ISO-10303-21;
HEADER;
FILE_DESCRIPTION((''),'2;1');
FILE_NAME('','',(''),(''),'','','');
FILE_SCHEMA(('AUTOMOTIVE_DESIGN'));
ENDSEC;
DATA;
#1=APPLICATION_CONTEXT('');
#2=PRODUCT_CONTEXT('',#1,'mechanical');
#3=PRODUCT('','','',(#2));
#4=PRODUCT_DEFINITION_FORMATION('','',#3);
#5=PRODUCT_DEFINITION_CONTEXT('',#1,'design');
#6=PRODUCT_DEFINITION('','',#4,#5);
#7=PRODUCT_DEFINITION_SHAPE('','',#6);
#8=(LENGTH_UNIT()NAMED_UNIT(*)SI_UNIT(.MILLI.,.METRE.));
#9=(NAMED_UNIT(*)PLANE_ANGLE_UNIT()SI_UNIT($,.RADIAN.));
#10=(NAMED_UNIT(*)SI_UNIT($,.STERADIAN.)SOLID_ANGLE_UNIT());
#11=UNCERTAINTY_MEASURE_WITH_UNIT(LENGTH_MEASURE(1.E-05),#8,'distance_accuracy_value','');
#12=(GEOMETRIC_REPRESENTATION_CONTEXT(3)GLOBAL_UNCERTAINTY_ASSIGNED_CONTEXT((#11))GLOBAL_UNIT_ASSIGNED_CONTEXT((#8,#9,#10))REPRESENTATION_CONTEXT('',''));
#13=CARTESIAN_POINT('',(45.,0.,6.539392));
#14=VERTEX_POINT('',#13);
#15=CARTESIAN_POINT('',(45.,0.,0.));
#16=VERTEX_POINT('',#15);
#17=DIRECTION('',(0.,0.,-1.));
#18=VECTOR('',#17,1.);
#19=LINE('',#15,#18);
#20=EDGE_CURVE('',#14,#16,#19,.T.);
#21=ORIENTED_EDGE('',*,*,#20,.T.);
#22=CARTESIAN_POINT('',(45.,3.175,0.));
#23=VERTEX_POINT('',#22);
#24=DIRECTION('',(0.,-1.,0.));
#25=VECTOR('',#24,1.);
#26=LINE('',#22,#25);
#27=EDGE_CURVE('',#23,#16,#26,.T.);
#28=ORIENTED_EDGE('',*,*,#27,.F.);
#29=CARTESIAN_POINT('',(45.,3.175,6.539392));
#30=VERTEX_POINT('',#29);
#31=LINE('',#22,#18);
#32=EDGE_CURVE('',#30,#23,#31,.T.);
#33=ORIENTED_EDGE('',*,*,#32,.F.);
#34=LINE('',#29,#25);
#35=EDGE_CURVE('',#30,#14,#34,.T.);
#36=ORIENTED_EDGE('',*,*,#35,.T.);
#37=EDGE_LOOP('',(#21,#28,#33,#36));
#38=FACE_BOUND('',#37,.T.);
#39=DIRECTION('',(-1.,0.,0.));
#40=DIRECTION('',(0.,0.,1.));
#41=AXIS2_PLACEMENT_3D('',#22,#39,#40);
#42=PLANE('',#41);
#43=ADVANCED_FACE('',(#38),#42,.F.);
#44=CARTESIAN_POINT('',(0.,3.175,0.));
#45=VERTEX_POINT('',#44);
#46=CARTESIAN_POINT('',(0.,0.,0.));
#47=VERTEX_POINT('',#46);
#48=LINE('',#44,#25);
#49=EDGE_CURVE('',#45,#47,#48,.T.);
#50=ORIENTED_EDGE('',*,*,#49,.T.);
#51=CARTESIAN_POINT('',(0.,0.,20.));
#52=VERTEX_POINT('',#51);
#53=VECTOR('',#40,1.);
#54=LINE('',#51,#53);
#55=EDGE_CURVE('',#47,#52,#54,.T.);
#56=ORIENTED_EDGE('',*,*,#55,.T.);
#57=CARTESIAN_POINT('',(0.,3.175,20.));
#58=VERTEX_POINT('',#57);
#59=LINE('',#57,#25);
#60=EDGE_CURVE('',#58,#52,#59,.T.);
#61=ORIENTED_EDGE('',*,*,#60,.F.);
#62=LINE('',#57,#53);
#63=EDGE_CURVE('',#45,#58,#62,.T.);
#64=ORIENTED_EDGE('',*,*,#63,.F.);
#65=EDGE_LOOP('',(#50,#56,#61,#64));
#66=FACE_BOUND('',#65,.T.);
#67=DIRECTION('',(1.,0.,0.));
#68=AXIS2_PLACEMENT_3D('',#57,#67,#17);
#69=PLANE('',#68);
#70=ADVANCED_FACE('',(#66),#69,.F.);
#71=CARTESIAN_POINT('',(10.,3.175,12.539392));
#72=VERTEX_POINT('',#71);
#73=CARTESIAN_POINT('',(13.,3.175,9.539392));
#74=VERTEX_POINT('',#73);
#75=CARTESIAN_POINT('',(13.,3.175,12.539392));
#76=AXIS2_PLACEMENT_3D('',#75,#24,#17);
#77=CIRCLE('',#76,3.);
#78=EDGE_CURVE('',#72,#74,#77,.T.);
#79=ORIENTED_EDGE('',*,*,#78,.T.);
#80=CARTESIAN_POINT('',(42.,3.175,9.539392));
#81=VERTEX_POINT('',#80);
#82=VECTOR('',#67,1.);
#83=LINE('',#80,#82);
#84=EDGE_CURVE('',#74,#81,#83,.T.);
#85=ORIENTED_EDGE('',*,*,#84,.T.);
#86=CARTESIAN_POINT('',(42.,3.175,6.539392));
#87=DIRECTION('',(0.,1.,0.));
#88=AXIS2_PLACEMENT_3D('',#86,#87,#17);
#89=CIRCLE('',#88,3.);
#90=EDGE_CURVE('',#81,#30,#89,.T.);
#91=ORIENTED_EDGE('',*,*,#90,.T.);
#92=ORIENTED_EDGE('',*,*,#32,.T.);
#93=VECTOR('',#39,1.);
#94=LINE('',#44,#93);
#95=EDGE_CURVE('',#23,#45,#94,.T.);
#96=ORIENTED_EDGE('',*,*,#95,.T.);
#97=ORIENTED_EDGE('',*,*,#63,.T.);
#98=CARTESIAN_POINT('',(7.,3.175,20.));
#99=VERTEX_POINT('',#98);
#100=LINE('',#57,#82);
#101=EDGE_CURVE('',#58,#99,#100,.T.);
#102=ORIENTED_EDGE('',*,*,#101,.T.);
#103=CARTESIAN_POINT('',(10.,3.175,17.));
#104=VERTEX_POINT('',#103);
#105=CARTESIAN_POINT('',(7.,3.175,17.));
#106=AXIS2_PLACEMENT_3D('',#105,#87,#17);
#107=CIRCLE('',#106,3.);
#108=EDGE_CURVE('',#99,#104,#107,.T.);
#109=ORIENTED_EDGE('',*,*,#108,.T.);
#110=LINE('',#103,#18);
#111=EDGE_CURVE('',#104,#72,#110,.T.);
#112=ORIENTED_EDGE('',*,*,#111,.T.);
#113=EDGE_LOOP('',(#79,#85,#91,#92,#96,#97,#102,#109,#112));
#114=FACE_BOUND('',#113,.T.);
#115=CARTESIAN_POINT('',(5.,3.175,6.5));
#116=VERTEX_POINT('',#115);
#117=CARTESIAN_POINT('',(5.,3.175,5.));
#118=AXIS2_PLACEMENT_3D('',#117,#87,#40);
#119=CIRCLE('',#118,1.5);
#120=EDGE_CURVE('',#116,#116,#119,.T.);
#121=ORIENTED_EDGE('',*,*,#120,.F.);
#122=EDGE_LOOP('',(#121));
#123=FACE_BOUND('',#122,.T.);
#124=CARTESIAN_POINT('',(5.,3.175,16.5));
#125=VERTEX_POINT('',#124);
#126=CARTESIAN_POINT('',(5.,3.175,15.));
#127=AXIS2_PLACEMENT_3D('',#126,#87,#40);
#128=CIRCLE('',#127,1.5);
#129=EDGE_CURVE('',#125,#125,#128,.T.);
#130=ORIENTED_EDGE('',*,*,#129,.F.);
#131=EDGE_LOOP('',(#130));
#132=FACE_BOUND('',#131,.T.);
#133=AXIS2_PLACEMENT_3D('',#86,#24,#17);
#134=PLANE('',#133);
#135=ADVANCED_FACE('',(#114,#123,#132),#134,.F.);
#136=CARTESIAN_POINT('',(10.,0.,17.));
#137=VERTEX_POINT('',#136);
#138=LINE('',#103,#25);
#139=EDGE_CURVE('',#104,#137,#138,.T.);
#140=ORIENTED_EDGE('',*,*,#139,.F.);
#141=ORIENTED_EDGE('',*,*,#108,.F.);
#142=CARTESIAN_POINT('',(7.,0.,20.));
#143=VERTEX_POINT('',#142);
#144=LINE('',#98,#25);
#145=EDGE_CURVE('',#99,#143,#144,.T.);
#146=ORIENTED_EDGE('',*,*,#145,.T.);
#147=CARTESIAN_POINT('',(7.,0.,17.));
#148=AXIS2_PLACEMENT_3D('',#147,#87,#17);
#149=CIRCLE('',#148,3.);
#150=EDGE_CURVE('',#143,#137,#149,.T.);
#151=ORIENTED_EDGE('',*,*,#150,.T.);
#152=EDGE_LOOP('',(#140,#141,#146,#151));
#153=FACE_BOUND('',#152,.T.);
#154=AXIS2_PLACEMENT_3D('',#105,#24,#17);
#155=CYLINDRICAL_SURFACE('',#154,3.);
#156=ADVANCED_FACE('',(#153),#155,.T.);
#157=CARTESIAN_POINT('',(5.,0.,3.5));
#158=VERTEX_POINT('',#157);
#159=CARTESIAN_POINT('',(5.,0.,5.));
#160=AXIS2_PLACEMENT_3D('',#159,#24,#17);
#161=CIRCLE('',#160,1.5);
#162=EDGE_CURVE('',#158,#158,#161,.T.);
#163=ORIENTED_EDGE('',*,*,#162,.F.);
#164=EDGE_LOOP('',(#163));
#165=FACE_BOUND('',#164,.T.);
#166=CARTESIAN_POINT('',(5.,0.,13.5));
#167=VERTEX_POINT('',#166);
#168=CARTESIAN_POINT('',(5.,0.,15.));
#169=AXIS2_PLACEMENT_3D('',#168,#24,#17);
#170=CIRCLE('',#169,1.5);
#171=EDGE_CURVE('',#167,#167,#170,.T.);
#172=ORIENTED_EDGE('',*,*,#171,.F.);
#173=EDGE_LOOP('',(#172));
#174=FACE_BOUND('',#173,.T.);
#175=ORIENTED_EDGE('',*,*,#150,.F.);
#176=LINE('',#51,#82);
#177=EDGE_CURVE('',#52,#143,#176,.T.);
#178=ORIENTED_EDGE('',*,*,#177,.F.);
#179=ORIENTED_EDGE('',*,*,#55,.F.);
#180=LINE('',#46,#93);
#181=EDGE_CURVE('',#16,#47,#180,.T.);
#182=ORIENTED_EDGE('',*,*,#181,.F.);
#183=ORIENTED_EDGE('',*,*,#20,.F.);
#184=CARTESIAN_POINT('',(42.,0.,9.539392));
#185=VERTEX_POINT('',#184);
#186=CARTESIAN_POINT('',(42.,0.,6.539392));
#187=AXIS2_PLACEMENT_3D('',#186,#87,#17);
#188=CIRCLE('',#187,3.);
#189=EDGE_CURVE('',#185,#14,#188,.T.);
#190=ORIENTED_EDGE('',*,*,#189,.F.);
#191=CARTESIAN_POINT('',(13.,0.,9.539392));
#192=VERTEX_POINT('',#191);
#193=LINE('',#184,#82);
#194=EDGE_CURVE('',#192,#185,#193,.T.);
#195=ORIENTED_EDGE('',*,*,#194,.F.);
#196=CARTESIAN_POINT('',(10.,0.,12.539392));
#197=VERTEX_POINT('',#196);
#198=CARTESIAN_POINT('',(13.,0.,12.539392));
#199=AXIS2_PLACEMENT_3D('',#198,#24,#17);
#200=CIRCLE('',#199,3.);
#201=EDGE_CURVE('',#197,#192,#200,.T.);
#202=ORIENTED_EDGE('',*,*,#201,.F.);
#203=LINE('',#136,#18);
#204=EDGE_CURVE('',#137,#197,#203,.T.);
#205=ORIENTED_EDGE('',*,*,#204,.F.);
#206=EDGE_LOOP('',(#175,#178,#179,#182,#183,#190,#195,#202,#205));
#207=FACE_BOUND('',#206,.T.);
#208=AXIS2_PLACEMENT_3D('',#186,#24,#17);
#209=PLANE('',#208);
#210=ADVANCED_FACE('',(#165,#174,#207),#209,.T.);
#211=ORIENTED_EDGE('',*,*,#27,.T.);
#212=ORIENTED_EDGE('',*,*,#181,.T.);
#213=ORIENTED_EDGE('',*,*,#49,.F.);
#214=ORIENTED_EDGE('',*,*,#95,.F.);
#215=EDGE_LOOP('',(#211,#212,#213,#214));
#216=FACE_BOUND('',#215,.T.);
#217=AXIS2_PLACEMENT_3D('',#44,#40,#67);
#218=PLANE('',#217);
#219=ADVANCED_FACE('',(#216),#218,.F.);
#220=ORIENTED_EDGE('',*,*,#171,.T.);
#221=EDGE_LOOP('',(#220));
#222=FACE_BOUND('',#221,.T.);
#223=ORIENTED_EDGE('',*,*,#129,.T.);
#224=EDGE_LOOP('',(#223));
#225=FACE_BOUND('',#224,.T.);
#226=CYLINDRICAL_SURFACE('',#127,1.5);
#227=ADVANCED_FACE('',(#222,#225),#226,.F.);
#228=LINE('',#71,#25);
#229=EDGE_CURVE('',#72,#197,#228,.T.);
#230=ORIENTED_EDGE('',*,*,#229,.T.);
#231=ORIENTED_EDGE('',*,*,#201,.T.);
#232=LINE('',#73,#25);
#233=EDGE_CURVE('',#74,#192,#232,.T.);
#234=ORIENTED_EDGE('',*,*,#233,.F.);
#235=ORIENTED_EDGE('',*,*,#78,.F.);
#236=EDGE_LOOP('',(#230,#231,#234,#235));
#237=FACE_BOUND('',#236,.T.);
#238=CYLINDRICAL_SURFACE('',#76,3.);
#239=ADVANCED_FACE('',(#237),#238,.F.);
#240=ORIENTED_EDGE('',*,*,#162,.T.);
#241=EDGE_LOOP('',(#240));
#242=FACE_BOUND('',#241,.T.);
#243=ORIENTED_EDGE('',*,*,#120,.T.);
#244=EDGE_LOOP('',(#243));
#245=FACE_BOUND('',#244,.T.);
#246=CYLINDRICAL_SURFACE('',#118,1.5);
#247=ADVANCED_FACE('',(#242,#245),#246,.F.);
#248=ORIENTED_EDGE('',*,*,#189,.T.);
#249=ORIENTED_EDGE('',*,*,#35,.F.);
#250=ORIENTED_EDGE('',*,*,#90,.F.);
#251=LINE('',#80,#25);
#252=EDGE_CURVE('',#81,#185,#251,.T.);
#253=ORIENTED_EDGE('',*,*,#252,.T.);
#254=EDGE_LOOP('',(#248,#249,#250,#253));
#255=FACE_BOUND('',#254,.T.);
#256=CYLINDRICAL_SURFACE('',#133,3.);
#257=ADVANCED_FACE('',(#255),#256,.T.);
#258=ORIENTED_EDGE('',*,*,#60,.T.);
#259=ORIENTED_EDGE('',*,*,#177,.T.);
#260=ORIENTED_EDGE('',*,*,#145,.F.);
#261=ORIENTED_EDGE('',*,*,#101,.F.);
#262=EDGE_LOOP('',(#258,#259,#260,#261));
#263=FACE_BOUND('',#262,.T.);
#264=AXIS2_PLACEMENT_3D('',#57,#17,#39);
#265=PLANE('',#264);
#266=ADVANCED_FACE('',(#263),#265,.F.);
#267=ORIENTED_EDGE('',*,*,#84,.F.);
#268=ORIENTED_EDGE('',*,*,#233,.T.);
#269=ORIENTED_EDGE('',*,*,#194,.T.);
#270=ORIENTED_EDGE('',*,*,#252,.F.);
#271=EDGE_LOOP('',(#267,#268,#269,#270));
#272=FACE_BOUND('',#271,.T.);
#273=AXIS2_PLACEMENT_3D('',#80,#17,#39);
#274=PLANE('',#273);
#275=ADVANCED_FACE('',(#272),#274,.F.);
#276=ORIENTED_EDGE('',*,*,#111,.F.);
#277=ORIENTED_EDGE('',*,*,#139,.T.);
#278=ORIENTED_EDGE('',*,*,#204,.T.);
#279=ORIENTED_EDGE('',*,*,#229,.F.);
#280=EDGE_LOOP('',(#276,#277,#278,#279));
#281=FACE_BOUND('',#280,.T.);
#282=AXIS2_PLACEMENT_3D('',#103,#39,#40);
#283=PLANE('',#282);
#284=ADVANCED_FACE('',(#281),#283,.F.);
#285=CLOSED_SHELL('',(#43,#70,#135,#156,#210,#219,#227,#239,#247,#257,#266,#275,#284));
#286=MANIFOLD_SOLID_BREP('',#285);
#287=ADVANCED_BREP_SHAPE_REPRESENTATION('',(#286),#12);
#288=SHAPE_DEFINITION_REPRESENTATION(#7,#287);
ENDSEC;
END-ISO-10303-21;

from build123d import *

# Parameters (mm, degrees)
BOSS_EXTRUDE1_DEPTH          = 3.175
F_3_0_3_DIAMETER_HOLE1_D     = 3
F_3_0_3_DIAMETER_HOLE1_DEPTH = 10
F_3_0_3_DIAMETER_HOLE1_TIP   = 0.901290929


with BuildPart() as part:
    # Sketch1 → Boss-Extrude1 (new body)
    with BuildSketch(Plane(origin=(0, 0, 0), x_dir=(1, 0, 0), z_dir=(0, 1, 0))):
        with BuildLine():
            Line((0, 0), (45, 0))
            Line((45, 0), (45, -6.539392014))
            ThreePointArc((45, -6.539392014), (44.121320344, -8.660712358), (42, -9.539392014))
            Line((42, -9.539392014), (13, -9.539392014))
            ThreePointArc((13, -9.539392014), (10.878679656, -10.418071671), (10, -12.539392014))
            Line((10, -12.539392014), (10, -17))
            ThreePointArc((10, -17), (9.121320344, -19.121320344), (7, -20))
            Line((7, -20), (0, -20))
            Line((0, -20), (0, 0))
        make_face()
    extrude(amount=BOSS_EXTRUDE1_DEPTH)

    # Ø3.0 (3) Diameter Hole1
    with Locations(Plane(origin=(0, 3.175, 0), x_dir=(-1, 0, 0), z_dir=(0, 1, 0))):
        with Locations((-5, 5), (-5, 15)):
            Hole(F_3_0_3_DIAMETER_HOLE1_D / 2, depth=F_3_0_3_DIAMETER_HOLE1_DEPTH)
            with Locations((0, 0, -(F_3_0_3_DIAMETER_HOLE1_DEPTH + F_3_0_3_DIAMETER_HOLE1_TIP / 2))):  # 118° drill point
                Cone(0, F_3_0_3_DIAMETER_HOLE1_D / 2, F_3_0_3_DIAMETER_HOLE1_TIP, mode=Mode.SUBTRACT)


solid = part.part
